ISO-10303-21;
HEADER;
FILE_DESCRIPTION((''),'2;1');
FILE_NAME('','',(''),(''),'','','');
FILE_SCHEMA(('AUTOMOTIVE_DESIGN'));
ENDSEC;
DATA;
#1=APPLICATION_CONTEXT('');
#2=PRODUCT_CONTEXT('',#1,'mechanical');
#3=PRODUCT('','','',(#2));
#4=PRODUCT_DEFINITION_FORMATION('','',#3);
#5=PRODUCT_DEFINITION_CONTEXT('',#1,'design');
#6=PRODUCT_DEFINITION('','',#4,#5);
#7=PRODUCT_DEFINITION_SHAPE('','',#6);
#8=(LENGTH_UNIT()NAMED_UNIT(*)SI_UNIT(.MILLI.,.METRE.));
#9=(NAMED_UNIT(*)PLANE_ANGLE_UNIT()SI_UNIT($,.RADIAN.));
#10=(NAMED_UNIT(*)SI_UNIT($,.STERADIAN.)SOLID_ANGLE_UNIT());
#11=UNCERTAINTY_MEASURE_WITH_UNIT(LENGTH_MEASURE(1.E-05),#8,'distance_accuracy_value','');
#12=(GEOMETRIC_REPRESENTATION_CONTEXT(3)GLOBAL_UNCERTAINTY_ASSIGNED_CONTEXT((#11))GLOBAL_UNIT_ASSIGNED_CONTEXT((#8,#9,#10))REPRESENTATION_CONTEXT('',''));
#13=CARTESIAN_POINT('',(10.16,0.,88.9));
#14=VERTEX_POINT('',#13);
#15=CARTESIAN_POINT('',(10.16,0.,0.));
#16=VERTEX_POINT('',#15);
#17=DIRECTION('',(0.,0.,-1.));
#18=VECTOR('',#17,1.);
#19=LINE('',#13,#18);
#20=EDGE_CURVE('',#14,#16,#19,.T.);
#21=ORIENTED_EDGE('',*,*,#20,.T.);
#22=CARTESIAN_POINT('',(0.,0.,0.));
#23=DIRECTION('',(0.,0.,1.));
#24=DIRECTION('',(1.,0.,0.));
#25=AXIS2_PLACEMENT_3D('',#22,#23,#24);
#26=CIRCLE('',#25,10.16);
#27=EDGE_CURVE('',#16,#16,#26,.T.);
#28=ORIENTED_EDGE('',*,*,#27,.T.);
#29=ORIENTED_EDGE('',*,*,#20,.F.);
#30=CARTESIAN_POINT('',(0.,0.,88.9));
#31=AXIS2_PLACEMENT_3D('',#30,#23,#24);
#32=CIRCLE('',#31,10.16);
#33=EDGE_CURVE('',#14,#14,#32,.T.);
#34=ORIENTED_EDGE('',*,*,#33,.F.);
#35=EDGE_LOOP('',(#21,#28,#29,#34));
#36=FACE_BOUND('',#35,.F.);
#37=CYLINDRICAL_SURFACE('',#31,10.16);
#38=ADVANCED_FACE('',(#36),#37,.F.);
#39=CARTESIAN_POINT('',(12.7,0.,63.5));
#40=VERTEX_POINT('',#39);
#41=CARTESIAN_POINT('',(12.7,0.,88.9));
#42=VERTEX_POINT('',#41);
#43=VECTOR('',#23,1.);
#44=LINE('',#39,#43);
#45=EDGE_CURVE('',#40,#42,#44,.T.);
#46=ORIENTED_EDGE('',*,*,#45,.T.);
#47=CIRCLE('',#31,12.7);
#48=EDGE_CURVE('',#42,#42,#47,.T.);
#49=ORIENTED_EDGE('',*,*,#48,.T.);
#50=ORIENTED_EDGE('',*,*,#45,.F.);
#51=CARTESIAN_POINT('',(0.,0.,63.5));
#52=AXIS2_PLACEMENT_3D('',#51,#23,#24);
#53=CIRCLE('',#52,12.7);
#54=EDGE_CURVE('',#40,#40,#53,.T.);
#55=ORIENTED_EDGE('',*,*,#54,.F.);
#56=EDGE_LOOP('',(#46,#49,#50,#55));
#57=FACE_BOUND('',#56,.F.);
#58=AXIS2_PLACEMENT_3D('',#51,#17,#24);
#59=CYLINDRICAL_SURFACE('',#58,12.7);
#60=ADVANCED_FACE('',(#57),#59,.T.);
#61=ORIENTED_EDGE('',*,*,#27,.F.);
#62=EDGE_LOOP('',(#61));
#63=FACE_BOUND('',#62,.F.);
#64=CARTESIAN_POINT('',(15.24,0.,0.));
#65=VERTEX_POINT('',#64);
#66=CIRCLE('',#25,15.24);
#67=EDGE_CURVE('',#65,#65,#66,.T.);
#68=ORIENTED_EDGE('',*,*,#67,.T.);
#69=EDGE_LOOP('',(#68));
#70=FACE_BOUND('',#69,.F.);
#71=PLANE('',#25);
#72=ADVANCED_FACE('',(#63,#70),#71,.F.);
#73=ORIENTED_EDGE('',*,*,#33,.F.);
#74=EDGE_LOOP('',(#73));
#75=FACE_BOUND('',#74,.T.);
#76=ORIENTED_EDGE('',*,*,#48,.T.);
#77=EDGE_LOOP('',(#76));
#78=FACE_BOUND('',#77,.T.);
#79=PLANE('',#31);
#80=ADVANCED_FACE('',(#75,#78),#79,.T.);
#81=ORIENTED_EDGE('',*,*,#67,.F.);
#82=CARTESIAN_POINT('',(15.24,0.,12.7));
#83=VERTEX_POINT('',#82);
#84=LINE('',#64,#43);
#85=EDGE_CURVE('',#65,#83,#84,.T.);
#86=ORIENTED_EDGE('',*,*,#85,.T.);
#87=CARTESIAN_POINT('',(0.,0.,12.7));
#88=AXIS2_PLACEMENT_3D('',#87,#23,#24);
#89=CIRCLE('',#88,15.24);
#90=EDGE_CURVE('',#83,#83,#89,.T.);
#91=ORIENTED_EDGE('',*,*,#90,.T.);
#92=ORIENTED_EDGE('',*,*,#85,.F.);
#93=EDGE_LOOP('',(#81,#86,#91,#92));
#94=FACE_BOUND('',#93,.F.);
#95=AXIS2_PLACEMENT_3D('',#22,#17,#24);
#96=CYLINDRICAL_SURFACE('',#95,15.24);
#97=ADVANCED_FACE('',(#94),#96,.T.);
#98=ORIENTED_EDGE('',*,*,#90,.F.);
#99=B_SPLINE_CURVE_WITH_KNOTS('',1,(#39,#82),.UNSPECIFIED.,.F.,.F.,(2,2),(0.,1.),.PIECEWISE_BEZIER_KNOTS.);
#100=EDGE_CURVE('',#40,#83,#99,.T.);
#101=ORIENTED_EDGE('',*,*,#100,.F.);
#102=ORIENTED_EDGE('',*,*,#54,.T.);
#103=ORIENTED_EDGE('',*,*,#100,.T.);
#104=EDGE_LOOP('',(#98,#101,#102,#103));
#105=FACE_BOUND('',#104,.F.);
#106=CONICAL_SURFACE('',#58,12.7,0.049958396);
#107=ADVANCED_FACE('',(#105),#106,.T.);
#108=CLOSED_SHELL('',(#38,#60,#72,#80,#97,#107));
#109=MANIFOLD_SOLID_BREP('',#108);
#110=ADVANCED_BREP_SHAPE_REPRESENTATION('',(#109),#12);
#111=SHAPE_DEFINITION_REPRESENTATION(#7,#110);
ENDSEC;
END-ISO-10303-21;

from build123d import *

# Parameters (mm, degrees)
F0_R      = 15.24
F1_DEPTH  = 12.7
F3_R      = 12.7
F1_FACE_R = 15.24
F5_R      = 12.7
F6_DEPTH  = 25.4
F7_R      = 10.16
F8_DEPTH  = 88.901


with BuildPart() as f1:
    # F0 (on Top) → F1 (new body)
    with BuildSketch(Plane.XY):
        Circle(F0_R)
    extrude(amount=F1_DEPTH)

    # F3 (on offset) → F4 section 0
    with BuildSketch(Plane.XY.offset(63.5)):
        Circle(F3_R)
    # F1_face (on face) → F4 section 1
    with BuildSketch(Plane.XY.offset(12.7)):
        Circle(F1_FACE_R)
    loft()

    # F5 (on face) → F6 (join)
    with BuildSketch(Plane.XY.offset(63.5)):
        Circle(F5_R)
    extrude(amount=F6_DEPTH)

    # F7 (on face) → F8 (cut, through all)
    with BuildSketch(Plane.XY.offset(88.9)):
        Circle(F7_R)
    extrude(amount=-F8_DEPTH, mode=Mode.SUBTRACT)


solid = f1.part
